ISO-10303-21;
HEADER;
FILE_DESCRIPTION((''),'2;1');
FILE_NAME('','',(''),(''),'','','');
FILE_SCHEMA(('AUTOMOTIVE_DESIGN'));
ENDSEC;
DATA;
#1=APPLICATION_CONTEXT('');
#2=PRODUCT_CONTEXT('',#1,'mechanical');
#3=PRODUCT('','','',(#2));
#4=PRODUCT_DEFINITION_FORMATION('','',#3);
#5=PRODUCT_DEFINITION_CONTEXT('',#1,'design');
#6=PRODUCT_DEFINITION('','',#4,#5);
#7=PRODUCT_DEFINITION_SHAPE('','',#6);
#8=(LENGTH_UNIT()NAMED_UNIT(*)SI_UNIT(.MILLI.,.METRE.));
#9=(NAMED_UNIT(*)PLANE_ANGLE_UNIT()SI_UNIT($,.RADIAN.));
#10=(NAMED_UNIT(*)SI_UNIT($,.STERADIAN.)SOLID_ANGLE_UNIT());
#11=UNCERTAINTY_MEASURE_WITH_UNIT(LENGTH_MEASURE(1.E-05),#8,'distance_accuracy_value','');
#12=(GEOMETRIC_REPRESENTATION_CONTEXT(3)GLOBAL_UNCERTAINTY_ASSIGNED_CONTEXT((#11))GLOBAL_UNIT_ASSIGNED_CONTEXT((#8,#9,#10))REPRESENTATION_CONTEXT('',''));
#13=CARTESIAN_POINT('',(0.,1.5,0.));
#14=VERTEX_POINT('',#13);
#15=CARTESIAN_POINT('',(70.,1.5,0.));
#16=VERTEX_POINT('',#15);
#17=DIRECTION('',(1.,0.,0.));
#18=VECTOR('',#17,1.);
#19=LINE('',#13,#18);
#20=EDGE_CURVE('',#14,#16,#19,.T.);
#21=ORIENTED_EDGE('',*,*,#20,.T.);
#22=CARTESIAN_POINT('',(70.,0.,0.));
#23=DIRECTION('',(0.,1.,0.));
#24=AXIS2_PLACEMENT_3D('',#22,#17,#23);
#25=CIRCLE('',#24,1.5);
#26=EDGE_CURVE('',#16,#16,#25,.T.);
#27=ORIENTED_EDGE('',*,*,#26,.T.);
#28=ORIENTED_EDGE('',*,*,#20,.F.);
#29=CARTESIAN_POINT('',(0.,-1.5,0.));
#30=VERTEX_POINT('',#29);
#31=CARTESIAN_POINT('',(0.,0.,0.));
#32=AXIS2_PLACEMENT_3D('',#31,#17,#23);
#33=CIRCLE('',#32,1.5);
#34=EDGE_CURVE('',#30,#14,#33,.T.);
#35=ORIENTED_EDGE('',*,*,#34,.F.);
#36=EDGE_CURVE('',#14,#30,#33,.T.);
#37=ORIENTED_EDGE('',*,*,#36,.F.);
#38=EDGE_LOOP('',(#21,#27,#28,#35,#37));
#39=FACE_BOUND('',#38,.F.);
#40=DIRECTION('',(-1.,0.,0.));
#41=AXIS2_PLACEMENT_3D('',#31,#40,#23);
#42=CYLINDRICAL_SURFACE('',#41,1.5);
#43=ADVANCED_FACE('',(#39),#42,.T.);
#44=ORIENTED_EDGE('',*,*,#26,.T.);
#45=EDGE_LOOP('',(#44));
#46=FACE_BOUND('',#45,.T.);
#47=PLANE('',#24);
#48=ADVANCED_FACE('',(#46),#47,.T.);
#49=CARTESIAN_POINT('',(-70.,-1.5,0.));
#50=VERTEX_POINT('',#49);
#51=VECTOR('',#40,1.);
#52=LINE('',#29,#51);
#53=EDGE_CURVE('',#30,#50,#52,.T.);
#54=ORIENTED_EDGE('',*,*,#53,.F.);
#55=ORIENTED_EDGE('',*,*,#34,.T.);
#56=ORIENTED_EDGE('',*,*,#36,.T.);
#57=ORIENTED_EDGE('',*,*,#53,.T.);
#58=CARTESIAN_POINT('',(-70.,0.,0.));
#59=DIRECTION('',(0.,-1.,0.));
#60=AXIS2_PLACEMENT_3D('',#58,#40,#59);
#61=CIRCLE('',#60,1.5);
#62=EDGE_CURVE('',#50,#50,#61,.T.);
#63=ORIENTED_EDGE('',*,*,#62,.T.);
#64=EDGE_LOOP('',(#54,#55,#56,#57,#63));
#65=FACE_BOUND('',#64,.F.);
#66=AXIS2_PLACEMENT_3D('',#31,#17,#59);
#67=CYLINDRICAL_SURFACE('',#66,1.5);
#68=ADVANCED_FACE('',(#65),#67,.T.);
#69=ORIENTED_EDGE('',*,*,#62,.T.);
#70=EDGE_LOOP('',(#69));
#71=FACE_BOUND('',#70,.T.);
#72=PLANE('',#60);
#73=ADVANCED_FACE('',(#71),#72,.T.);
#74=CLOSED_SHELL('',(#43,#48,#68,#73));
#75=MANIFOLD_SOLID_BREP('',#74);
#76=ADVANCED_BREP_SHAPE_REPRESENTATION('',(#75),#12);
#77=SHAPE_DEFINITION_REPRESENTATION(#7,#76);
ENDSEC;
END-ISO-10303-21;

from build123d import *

# Parameters (mm, degrees)
F0_R     = 1.5
F1_DEPTH = 70
F2_R     = 1.5
F3_DEPTH = 70


with BuildPart() as f1:
    # F0 (on Right) → F1 (new body)
    with BuildSketch(Plane.YZ):
        Circle(F0_R)
    extrude(amount=F1_DEPTH)

    # F2 (on face) → F3 (join)
    with BuildSketch(Plane(origin=(0, 0, 0), x_dir=(0, -1, 0), z_dir=(-1, 0, 0))):
        Circle(F2_R)
    extrude(amount=F3_DEPTH)


solid = f1.part
